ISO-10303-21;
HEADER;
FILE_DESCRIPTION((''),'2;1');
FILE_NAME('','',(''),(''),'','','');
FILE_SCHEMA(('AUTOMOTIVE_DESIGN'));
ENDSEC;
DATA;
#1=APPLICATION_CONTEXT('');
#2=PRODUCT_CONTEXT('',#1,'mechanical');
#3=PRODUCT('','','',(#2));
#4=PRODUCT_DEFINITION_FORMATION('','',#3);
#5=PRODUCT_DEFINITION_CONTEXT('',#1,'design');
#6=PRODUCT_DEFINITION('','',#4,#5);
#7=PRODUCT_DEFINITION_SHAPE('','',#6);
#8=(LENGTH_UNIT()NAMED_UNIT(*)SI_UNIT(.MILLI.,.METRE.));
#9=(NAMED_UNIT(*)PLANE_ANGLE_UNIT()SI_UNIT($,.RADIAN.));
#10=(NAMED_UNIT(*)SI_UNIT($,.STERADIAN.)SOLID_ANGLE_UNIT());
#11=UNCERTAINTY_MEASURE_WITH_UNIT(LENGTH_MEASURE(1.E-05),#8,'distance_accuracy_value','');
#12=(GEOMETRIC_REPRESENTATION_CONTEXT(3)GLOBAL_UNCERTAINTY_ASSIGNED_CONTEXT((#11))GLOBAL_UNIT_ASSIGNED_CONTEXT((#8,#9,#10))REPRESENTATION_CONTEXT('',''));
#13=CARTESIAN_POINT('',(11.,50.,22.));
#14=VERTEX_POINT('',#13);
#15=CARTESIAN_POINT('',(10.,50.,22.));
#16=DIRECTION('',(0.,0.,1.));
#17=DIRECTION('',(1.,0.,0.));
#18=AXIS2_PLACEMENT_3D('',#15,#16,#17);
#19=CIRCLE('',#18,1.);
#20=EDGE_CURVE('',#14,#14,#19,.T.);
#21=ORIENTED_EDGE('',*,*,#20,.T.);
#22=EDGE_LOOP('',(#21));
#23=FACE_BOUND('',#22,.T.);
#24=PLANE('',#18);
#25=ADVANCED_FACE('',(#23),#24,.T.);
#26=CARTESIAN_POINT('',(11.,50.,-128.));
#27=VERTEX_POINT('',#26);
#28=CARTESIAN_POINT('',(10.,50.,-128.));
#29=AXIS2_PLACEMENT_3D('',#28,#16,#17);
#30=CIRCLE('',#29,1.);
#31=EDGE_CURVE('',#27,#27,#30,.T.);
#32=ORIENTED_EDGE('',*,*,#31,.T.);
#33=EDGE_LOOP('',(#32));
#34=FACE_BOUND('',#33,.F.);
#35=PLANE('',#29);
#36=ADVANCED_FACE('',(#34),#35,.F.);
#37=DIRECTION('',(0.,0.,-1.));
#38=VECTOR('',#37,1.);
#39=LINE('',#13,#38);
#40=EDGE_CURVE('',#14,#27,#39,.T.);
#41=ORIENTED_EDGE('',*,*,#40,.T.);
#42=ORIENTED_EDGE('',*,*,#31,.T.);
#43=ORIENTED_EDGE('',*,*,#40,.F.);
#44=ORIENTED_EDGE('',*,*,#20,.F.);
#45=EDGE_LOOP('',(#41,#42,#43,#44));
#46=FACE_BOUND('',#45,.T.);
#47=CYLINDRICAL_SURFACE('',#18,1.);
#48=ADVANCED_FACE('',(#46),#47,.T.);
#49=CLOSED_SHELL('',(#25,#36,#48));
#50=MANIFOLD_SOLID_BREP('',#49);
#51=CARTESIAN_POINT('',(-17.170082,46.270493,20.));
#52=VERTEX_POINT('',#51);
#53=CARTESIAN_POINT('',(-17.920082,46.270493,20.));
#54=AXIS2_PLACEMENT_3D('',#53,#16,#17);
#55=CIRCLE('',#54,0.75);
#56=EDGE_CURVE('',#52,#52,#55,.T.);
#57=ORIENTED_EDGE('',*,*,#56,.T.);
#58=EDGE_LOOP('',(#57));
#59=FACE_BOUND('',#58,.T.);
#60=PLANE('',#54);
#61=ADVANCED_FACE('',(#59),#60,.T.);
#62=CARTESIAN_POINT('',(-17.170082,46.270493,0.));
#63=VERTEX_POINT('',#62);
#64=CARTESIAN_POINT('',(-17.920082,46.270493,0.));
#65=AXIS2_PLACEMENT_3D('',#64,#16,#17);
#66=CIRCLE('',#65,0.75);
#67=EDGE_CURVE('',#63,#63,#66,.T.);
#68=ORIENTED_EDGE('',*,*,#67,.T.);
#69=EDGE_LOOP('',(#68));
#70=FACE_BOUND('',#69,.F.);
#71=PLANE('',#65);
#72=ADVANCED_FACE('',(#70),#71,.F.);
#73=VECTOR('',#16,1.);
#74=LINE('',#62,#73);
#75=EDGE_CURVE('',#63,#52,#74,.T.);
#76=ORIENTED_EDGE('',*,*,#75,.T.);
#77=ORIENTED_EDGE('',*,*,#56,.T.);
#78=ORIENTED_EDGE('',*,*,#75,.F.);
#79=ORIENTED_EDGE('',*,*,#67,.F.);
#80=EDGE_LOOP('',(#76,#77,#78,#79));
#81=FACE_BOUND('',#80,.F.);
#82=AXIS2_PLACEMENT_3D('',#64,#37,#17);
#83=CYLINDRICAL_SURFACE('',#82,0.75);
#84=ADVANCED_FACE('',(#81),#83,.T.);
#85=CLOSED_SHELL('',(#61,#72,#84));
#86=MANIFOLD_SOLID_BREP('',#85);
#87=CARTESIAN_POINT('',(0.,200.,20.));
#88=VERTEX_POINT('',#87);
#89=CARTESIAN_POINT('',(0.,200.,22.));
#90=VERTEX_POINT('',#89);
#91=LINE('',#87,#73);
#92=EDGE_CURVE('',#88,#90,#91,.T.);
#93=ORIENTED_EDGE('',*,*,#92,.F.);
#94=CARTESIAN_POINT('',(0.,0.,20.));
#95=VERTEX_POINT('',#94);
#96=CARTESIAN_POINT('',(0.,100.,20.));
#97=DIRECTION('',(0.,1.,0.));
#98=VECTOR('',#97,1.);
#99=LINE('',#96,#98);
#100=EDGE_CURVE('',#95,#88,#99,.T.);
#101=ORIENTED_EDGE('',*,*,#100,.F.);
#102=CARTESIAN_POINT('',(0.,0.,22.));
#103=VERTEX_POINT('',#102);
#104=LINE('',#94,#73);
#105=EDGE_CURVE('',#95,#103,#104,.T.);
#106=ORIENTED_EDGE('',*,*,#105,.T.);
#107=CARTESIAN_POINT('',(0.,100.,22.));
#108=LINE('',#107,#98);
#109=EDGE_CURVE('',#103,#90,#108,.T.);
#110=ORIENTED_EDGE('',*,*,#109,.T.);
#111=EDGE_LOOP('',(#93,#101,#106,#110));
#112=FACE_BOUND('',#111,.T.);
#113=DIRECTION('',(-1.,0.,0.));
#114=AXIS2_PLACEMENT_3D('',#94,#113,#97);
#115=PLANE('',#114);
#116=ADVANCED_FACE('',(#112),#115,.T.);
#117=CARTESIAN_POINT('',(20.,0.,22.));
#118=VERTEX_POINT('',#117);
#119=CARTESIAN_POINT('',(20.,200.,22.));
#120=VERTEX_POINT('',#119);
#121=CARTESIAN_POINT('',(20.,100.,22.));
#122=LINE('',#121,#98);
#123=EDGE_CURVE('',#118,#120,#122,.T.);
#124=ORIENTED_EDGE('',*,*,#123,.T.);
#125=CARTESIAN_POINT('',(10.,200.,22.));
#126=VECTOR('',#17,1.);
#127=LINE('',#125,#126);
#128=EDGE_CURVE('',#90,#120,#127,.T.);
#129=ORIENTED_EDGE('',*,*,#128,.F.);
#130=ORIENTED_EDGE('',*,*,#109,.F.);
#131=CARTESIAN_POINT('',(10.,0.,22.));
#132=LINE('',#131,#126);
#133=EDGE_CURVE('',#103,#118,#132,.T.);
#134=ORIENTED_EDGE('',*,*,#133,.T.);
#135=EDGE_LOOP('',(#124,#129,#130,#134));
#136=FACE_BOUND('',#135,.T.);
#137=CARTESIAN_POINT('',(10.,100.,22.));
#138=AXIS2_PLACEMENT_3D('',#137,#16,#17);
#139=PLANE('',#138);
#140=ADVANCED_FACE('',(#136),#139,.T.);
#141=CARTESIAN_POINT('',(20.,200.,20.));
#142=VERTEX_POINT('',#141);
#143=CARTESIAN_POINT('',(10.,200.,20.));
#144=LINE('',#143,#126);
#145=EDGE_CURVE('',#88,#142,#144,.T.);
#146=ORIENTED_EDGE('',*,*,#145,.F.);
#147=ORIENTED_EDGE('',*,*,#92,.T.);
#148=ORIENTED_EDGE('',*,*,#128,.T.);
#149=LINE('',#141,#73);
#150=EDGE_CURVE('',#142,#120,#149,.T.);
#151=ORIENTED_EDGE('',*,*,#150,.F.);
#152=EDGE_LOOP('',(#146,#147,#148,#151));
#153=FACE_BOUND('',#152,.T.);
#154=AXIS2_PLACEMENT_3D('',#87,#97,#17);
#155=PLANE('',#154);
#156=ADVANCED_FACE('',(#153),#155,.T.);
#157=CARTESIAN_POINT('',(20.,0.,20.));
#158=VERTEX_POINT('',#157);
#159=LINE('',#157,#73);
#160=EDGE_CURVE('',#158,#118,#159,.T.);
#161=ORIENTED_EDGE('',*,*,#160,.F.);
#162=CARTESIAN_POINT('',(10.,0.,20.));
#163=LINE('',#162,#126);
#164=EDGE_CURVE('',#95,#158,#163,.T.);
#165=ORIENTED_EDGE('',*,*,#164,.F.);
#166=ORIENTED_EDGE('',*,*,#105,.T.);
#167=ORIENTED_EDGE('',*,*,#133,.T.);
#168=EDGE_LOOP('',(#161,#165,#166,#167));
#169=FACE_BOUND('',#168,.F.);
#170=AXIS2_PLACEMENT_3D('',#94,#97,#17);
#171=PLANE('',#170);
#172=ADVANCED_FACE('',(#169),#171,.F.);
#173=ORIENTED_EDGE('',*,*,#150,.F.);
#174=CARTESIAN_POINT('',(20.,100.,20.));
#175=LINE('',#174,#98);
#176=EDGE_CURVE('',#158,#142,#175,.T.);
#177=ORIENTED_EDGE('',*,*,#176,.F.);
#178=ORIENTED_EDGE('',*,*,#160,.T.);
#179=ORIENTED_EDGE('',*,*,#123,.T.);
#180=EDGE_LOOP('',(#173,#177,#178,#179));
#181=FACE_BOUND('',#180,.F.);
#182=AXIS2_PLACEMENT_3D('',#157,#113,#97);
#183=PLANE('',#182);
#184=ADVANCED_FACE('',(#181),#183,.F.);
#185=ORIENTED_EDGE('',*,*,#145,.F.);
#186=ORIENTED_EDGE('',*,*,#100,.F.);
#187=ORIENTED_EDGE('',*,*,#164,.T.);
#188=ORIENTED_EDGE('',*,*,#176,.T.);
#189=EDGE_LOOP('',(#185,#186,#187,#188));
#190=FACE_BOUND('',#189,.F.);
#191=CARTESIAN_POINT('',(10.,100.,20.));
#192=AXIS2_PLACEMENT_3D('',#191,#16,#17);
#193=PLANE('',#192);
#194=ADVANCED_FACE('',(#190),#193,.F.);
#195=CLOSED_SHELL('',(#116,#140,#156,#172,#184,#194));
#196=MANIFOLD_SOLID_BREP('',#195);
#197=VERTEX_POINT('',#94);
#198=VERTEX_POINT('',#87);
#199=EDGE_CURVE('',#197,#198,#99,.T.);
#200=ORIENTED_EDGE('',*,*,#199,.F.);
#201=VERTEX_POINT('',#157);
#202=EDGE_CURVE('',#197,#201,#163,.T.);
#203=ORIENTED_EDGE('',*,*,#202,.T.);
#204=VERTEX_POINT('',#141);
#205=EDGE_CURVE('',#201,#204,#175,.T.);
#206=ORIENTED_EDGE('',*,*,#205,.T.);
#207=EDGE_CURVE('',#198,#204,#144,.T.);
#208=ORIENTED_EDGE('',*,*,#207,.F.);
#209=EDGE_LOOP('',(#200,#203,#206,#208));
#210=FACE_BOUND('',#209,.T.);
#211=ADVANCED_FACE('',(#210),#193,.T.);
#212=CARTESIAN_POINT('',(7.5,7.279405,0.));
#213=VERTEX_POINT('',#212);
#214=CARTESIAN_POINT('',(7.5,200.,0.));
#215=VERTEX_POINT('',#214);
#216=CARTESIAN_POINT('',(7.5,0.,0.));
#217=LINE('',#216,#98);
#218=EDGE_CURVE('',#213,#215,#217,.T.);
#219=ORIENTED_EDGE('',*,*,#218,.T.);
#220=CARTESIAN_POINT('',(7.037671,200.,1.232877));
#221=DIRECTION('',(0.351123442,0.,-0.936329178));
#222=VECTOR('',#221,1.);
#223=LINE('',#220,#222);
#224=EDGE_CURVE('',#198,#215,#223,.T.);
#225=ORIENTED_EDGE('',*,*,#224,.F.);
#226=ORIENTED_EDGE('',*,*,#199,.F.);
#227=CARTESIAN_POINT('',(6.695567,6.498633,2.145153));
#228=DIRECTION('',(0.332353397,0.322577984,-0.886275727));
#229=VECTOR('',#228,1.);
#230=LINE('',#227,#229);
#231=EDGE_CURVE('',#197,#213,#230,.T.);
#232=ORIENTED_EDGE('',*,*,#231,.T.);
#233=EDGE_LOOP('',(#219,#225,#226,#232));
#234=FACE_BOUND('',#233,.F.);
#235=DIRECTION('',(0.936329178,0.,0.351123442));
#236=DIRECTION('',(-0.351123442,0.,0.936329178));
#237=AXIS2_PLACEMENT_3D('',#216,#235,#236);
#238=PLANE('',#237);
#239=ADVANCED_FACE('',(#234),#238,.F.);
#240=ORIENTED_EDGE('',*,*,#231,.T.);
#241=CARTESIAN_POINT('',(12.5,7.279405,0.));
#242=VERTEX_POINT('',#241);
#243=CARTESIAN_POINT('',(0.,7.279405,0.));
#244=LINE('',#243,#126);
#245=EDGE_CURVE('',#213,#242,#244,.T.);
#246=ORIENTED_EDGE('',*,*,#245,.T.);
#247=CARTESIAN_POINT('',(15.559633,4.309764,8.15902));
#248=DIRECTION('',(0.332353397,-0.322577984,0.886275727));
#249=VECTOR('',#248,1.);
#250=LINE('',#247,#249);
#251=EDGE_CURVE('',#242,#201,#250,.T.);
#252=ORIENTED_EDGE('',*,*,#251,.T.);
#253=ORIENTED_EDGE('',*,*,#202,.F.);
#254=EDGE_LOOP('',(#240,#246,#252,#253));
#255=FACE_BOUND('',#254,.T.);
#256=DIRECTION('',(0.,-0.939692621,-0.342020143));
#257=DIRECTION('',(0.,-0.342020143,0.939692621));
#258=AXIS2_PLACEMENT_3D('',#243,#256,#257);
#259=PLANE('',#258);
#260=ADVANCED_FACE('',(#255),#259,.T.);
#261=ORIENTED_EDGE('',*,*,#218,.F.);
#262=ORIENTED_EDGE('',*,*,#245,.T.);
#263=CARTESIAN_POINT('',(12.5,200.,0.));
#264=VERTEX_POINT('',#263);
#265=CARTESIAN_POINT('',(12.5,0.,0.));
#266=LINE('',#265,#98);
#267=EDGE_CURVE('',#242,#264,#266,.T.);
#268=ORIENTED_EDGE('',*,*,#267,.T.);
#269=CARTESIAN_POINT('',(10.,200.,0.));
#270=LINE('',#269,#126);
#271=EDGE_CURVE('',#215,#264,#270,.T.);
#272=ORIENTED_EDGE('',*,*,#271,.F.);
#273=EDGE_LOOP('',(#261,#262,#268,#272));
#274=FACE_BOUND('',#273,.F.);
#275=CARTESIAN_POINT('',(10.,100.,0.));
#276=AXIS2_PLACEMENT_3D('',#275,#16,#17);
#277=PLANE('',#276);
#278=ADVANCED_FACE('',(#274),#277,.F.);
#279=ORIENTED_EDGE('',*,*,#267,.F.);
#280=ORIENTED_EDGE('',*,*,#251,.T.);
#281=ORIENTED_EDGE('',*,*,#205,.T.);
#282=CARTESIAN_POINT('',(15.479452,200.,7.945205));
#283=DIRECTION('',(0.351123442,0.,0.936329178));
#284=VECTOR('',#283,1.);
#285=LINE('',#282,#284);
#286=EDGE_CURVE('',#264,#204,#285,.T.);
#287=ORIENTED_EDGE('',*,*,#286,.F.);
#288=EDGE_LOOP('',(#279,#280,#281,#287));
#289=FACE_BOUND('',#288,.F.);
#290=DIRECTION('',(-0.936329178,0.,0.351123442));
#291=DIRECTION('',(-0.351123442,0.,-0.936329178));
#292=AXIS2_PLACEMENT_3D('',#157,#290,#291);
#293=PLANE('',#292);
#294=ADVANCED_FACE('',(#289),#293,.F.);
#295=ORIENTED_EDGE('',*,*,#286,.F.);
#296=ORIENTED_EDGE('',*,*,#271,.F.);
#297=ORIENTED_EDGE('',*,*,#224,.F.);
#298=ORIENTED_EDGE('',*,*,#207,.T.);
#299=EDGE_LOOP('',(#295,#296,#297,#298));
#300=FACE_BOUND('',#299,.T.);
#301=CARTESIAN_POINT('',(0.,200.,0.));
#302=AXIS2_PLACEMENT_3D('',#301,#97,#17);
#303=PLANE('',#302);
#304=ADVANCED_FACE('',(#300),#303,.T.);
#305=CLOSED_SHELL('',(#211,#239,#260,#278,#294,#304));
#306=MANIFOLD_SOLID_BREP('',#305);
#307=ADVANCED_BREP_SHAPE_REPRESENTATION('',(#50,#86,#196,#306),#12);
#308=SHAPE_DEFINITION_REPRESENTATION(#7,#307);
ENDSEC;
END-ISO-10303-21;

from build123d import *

# Parameters (mm, degrees)
F0_W      = 20
F0_H      = 200
F1_DEPTH  = 20
F3_DEPTH  = 200.001
F5_DEPTH  = 20.001
F6_W      = 20
F6_H      = 200
F7_DEPTH  = 2
F8_R      = 1
F9_DEPTH  = 150
F10_R     = 0.75
F11_DEPTH = 20


with BuildPart() as f1:
    # F0 (on Top) → F1 (new body)
    with BuildSketch(Plane.XY):
        with Locations((10, 100)):
            Rectangle(F0_W, F0_H)
    extrude(amount=F1_DEPTH)

    # F2 (on face) → F3 (cut, through all)
    with BuildSketch(Plane.XZ):
        Polygon((7.5, 0), (0, 20), (0, 0), align=None)
        Polygon((20, 20), (12.5, 0), (20, 0), align=None)
    extrude(amount=-F3_DEPTH, mode=Mode.SUBTRACT)

    # F4 (on Right) → F5 (cut, through all)
    with BuildSketch(Plane.YZ):
        Polygon((0, 20), (0, 0), (7.2794046853, 0), align=None)
    extrude(amount=F5_DEPTH, mode=Mode.SUBTRACT)


with BuildPart() as f7:
    # F6 (on face) → F7 (new body)
    with BuildSketch(Plane.XY.offset(20)):
        with Locations((10, 100)):
            Rectangle(F6_W, F6_H)
    extrude(amount=F7_DEPTH)


with BuildPart() as f9:
    # F8 (on face) → F9 (new body)
    with BuildSketch(Plane.XY.offset(22)):
        with Locations((10, 50)):
            Circle(F8_R)
    extrude(amount=-F9_DEPTH)


with BuildPart() as f11:
    # F10 (on Top) → F11 (new body)
    with BuildSketch(Plane.XY):
        with Locations((-17.920082435, 46.270493418)):
            Circle(F10_R)
    extrude(amount=F11_DEPTH)


solid = Compound([f1.part, f7.part, f9.part, f11.part])
